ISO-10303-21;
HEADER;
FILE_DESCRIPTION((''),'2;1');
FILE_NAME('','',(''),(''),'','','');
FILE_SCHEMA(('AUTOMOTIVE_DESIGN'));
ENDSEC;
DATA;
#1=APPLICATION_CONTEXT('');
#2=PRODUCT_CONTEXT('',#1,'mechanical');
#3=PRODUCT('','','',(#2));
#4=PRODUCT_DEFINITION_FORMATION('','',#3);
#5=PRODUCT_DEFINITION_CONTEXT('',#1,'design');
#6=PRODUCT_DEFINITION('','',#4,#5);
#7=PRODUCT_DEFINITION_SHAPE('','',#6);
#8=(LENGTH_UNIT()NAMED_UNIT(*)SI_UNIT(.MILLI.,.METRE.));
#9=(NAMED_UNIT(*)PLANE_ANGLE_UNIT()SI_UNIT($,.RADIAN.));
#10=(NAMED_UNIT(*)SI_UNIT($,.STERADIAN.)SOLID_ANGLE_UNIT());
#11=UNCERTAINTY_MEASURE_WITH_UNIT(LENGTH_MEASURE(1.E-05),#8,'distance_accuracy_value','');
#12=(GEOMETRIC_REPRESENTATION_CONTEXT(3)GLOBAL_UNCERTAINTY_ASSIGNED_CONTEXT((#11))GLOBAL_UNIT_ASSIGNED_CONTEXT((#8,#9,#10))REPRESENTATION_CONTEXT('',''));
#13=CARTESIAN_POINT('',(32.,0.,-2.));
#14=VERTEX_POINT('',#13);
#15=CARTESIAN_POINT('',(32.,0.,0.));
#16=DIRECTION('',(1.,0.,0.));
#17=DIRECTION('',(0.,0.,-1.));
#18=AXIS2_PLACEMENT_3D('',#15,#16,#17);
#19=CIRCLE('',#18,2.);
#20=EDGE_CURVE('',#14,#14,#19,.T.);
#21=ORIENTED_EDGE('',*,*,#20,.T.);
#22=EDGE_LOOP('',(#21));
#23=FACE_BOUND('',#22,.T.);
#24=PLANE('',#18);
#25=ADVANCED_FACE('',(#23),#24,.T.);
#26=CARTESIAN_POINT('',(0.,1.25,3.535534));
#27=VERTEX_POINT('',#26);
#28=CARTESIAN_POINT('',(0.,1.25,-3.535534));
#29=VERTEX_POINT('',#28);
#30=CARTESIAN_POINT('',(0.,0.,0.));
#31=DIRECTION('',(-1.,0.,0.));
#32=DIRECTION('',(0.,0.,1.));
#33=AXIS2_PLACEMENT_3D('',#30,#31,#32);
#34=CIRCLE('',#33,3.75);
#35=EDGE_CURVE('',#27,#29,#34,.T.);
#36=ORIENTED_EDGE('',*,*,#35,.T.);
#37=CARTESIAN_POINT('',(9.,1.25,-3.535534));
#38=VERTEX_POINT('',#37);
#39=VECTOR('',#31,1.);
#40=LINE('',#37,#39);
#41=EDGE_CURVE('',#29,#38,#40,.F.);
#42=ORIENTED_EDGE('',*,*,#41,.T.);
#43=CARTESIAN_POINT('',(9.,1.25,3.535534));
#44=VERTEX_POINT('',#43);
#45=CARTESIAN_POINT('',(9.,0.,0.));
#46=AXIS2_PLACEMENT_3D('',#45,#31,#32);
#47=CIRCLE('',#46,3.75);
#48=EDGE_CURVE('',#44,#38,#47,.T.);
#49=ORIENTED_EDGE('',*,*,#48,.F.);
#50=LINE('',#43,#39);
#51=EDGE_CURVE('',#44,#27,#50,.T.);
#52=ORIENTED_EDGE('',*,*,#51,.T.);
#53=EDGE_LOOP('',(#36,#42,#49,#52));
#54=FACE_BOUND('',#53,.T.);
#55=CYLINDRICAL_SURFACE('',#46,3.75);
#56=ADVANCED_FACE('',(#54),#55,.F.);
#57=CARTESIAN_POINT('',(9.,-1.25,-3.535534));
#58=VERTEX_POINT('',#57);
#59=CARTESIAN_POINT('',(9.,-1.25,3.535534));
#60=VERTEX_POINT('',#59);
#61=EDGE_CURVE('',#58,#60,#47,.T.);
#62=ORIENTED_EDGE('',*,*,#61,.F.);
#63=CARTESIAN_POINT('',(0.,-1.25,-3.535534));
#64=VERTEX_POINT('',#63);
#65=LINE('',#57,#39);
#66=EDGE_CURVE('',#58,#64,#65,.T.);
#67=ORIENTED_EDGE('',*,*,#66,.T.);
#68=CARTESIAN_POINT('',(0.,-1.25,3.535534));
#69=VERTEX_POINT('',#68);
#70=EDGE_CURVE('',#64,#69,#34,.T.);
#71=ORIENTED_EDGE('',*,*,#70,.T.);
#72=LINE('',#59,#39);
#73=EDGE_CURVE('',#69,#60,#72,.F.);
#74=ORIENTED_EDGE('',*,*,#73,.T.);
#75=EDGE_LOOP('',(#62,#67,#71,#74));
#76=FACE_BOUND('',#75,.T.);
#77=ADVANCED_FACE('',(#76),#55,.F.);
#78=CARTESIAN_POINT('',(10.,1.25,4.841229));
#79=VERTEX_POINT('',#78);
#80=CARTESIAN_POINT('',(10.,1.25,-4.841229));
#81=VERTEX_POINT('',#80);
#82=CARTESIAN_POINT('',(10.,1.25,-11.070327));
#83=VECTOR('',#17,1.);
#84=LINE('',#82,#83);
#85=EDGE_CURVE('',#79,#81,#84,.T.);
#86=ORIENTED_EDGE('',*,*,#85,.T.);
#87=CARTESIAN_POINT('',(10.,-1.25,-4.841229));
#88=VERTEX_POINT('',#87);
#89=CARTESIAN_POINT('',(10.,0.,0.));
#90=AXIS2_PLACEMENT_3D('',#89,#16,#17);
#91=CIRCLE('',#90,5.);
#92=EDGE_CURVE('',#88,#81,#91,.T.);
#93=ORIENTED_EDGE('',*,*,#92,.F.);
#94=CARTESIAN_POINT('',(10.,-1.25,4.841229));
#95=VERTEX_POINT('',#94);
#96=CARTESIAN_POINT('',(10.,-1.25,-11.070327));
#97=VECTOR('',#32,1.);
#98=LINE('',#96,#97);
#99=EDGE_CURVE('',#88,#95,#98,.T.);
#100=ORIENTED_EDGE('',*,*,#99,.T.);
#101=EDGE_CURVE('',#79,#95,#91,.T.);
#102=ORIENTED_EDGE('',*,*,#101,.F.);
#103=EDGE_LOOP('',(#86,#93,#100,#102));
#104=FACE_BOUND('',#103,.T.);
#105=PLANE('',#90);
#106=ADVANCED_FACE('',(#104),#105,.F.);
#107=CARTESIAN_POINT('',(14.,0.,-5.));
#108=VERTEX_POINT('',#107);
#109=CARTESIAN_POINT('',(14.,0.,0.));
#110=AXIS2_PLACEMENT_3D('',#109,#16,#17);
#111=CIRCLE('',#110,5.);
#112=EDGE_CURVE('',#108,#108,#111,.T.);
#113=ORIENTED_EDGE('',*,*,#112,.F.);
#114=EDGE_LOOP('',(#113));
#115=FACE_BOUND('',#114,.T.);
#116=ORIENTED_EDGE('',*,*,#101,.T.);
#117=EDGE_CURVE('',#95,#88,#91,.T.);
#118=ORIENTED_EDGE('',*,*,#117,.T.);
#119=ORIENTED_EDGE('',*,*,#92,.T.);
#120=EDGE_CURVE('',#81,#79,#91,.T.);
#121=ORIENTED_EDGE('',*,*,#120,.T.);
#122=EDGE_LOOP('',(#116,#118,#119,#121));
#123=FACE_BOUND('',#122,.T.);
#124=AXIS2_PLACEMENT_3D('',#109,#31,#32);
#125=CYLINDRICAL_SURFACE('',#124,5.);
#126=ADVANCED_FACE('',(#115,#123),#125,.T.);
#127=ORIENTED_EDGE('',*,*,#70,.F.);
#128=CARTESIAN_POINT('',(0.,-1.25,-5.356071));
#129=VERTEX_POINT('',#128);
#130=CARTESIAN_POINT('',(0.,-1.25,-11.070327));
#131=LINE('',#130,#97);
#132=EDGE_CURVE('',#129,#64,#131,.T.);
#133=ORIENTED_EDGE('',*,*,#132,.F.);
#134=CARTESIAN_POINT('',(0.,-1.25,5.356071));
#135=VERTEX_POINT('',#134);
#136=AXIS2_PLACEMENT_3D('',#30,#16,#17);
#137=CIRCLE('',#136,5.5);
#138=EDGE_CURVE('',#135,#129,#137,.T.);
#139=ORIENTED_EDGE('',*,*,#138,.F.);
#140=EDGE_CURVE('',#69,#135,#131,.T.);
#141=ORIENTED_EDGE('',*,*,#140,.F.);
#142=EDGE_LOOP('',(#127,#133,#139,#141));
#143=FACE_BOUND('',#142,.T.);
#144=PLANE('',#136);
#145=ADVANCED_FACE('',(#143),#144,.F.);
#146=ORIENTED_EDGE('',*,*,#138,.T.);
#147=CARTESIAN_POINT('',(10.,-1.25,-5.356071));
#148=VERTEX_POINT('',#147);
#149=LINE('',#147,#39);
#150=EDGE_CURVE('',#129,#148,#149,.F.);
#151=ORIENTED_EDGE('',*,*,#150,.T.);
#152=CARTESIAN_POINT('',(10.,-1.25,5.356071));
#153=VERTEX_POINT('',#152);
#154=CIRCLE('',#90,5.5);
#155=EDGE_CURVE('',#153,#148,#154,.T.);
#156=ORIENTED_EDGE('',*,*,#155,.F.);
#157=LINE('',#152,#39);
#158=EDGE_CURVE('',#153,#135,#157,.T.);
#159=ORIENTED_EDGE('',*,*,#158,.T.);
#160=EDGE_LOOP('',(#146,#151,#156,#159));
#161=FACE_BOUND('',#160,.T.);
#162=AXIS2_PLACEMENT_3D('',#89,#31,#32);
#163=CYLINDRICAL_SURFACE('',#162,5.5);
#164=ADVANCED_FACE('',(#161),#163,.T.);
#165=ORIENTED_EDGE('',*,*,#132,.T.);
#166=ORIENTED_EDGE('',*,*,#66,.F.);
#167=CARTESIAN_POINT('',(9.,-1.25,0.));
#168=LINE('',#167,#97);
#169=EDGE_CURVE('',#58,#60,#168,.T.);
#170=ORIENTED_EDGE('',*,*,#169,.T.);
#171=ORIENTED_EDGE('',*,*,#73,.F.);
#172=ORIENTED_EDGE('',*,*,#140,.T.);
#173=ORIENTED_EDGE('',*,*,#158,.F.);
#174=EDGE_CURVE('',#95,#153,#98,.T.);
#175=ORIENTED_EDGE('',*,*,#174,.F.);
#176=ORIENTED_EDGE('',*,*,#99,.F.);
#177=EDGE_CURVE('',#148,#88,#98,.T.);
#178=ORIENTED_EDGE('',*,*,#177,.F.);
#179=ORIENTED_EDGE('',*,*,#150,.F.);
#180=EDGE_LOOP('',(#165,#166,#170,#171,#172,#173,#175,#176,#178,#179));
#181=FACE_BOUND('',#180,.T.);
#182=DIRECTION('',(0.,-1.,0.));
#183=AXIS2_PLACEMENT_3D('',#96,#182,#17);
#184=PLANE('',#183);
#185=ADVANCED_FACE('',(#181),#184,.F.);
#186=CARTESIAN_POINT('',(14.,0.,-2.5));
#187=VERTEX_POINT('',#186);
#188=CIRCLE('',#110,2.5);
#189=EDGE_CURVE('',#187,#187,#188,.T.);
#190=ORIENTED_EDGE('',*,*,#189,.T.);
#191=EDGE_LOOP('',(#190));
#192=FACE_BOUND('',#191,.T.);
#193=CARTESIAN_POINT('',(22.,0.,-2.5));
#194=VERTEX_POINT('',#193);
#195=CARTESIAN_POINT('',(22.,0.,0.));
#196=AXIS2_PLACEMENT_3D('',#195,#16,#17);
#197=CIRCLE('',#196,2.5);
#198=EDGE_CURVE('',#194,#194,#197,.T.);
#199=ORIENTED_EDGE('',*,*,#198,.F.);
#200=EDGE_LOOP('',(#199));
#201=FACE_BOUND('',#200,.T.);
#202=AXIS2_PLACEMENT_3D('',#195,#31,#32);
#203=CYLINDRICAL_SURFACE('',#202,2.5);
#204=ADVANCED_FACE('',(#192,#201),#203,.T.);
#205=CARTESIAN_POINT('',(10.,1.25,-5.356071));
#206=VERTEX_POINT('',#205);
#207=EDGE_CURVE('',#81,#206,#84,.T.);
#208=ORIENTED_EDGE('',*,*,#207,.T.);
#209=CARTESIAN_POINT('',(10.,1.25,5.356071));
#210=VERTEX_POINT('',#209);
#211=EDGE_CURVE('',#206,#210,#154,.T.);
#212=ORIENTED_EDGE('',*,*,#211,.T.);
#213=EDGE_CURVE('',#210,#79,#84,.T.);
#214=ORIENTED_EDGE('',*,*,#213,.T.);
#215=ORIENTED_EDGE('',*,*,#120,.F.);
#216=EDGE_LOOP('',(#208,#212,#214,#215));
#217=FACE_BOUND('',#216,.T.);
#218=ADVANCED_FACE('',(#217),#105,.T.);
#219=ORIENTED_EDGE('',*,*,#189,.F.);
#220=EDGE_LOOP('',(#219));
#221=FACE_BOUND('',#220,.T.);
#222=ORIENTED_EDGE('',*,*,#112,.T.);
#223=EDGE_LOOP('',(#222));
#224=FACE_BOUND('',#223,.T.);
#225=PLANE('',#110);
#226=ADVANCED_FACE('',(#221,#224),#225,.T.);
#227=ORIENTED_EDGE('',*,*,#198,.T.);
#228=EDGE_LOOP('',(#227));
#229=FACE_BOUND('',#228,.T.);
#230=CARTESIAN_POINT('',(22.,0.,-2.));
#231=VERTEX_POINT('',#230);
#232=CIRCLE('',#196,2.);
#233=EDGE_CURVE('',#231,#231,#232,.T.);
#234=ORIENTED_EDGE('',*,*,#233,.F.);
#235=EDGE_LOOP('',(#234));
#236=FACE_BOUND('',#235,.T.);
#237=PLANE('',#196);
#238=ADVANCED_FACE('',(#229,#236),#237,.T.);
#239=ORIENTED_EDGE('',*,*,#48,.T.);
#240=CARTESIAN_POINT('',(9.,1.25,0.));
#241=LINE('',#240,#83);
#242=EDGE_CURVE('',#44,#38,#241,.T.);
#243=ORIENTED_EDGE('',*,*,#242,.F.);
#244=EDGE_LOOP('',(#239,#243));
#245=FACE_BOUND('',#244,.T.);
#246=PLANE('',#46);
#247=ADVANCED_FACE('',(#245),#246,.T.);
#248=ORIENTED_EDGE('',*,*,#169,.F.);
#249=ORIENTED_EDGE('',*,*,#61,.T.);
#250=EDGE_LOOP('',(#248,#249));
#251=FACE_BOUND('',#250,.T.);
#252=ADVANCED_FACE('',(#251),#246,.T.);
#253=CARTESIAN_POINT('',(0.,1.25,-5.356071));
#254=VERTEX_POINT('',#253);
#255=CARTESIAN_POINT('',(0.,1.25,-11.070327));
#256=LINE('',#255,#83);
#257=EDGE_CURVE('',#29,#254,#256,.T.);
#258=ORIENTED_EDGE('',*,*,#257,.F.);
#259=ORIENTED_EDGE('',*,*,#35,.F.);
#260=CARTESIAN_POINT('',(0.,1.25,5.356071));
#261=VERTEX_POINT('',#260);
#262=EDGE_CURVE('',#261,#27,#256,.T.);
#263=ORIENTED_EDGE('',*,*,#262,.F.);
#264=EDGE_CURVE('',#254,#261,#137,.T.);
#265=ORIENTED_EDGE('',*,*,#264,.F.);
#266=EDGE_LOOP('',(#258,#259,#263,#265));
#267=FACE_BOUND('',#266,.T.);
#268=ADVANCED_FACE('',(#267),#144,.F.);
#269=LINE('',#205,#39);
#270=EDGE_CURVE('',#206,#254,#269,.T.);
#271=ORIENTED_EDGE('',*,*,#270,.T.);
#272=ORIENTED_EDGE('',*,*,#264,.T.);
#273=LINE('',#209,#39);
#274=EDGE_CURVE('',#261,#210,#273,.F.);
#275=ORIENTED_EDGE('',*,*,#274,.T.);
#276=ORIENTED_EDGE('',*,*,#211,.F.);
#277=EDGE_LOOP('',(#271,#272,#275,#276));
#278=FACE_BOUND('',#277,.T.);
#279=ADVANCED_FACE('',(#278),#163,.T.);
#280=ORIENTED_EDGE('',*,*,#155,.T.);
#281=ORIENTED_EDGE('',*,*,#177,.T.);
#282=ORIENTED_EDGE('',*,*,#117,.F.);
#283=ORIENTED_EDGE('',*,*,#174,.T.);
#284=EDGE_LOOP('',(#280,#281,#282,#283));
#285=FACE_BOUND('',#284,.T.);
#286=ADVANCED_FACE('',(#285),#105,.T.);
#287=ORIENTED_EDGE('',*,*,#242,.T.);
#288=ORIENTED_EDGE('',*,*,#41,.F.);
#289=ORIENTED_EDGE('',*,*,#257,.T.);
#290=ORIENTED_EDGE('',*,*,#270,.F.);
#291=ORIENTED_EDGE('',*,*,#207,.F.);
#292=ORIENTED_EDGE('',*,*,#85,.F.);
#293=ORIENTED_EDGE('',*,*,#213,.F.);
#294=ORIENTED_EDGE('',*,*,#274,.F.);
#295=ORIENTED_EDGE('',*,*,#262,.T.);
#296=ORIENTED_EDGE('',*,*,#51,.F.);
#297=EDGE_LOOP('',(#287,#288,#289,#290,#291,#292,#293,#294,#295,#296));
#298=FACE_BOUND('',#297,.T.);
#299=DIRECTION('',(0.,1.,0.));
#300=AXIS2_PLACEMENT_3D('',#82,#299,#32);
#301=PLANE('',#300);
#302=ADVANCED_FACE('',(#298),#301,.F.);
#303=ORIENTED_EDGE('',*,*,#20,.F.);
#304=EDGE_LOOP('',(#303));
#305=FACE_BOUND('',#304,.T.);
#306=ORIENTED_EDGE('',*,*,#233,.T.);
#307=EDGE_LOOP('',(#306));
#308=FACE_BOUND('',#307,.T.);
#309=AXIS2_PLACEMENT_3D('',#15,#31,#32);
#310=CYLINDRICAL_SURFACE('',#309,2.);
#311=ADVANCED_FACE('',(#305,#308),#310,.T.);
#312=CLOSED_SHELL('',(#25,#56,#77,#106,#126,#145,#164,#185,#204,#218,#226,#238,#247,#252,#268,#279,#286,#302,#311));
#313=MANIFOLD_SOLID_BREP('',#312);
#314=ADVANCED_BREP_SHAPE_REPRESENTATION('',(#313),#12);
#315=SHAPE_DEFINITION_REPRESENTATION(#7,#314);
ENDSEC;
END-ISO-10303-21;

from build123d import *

# Parameters (mm, degrees)
SKETCH1_R           = 5.5
BOSS_EXTRUDE1_DEPTH = 10
SKETCH2_R           = 5
BOSS_EXTRUDE2_DEPTH = 4
SKETCH3_R           = 2.5
BOSS_EXTRUDE3_DEPTH = 8
SKETCH4_R           = 2
BOSS_EXTRUDE4_DEPTH = 10
SKETCH5_R           = 3.75
CUT_EXTRUDE1_DEPTH  = 9
SKETCH6_W           = 25.507413715
SKETCH6_H           = 2.5
CUT_EXTRUDE2_DEPTH  = 10


with BuildPart() as part:
    # Sketch1 → Boss-Extrude1 (new body)
    with BuildSketch(Plane(origin=(0, 0, 0), x_dir=(0, 0, -1), z_dir=(1, 0, 0))):
        Circle(SKETCH1_R)
    extrude(amount=BOSS_EXTRUDE1_DEPTH)

    # Sketch2 → Boss-Extrude2 (add)
    with BuildSketch(Plane(origin=(10, 0, 0), x_dir=(0, 0, -1), z_dir=(1, 0, 0))):
        Circle(SKETCH2_R)
    extrude(amount=BOSS_EXTRUDE2_DEPTH)

    # Sketch3 → Boss-Extrude3 (add)
    with BuildSketch(Plane(origin=(14, 0, 0), x_dir=(0, 0, -1), z_dir=(1, 0, 0))):
        Circle(SKETCH3_R)
    extrude(amount=BOSS_EXTRUDE3_DEPTH)

    # Sketch4 → Boss-Extrude4 (add)
    with BuildSketch(Plane(origin=(22, 0, 0), x_dir=(0, 0, -1), z_dir=(1, 0, 0))):
        Circle(SKETCH4_R)
    extrude(amount=BOSS_EXTRUDE4_DEPTH)

    # Sketch5 → Cut-Extrude1 (cut)
    with BuildSketch(Plane.ZY):
        Circle(SKETCH5_R)
    extrude(amount=-CUT_EXTRUDE1_DEPTH, mode=Mode.SUBTRACT)

    # Sketch6 → Cut-Extrude2 (cut)
    with BuildSketch(Plane.ZY):
        with Locations((1.683379731, 0)):
            Rectangle(SKETCH6_W, SKETCH6_H)
    extrude(amount=-CUT_EXTRUDE2_DEPTH, mode=Mode.SUBTRACT)


solid = part.part
